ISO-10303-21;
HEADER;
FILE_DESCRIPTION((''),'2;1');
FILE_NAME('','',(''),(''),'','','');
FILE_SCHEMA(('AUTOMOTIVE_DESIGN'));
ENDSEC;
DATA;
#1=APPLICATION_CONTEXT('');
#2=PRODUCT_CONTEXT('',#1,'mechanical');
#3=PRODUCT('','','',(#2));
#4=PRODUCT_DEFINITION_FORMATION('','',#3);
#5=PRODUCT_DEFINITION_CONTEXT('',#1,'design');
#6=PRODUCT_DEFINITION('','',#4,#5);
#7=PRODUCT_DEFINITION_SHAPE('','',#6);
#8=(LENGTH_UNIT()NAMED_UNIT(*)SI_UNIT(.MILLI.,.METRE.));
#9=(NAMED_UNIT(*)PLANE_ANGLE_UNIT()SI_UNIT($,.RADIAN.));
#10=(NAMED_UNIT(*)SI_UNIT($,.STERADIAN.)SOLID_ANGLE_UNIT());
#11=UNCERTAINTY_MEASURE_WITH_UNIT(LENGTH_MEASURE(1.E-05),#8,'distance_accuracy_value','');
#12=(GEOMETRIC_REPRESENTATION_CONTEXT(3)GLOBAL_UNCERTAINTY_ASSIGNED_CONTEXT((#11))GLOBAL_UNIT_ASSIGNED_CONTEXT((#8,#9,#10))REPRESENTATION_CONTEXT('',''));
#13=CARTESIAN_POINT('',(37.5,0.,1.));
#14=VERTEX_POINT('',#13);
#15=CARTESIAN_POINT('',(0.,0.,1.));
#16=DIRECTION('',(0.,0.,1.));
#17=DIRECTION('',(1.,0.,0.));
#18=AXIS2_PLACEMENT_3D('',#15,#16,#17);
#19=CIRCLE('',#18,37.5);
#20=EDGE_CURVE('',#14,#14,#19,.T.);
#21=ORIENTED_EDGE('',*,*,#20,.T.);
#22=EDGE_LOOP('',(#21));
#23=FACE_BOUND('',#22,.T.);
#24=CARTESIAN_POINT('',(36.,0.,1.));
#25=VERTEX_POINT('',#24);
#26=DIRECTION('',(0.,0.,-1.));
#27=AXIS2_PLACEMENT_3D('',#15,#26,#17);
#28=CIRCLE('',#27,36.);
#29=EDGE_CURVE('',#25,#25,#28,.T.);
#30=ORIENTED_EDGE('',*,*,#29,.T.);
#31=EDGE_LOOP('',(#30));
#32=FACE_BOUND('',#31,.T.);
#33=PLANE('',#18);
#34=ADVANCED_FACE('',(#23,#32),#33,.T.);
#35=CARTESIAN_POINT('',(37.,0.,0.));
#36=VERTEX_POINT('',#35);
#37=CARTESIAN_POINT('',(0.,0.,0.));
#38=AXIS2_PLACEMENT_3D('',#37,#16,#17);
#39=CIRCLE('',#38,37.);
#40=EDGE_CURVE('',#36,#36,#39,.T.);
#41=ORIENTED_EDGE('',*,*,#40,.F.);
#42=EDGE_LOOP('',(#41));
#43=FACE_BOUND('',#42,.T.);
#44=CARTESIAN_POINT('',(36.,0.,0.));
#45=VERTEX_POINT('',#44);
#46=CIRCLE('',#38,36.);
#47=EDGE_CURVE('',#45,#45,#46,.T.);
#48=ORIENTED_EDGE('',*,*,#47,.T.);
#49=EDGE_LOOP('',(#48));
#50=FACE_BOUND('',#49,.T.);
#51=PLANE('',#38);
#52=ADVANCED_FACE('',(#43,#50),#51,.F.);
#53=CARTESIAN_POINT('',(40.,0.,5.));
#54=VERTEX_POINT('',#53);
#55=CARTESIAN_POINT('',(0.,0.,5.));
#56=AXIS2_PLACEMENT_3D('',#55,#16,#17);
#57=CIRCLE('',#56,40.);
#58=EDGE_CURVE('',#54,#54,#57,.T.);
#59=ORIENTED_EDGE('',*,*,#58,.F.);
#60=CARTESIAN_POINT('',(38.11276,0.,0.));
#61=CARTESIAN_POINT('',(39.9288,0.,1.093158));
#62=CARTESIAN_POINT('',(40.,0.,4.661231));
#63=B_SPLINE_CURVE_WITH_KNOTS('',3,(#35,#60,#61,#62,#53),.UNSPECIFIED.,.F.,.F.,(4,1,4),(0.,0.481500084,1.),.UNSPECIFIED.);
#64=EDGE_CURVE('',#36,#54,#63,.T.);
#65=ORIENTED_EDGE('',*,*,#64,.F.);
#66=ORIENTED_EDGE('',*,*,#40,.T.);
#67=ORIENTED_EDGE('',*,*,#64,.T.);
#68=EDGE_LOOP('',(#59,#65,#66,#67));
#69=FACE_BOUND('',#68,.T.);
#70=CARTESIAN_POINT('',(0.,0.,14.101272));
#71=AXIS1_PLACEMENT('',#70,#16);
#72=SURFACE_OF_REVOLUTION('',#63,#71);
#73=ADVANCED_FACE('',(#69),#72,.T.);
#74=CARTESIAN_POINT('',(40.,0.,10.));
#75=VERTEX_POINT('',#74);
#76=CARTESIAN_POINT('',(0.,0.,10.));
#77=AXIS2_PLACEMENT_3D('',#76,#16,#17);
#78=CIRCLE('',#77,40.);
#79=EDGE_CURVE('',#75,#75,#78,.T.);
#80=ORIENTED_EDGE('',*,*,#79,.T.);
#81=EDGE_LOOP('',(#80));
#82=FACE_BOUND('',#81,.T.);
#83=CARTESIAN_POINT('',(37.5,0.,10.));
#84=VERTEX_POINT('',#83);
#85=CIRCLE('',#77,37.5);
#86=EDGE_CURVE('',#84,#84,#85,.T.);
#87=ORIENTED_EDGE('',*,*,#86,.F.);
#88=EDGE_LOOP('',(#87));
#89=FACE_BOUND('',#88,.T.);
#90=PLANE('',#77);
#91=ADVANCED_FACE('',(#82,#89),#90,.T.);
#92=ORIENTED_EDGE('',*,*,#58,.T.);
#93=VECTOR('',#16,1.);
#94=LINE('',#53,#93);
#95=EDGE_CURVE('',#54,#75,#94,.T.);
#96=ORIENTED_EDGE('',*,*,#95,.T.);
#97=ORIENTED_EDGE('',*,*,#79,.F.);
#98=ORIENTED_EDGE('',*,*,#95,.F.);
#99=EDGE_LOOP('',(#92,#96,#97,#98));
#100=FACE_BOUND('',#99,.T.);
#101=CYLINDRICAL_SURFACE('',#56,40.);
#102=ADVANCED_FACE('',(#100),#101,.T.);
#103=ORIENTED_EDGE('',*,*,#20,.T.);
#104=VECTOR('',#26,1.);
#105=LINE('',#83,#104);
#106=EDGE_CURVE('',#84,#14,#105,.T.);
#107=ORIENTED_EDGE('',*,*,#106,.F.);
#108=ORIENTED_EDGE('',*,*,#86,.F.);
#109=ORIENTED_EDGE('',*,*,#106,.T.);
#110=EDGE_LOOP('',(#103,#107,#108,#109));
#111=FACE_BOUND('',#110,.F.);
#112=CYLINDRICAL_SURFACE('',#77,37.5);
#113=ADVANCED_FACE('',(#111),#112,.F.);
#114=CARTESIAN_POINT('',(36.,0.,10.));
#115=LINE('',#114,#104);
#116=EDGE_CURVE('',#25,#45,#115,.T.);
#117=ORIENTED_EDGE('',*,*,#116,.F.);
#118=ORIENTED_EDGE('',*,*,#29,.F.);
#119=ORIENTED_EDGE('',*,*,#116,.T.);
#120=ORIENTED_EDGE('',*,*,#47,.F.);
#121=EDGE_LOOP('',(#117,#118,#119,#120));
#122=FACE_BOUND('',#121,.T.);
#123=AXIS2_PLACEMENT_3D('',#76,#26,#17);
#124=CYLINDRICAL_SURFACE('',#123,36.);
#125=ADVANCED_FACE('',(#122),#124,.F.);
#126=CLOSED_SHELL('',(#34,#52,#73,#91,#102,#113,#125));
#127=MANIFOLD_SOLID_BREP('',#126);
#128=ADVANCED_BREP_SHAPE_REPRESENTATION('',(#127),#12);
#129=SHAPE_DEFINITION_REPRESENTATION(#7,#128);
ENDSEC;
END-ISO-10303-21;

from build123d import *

# Parameters (mm, degrees)
F2_R     = 37.5
F3_DEPTH = 9


with BuildPart() as f1:
    # F0 (on Front) → F1 (revolve)
    with BuildSketch(Plane.XZ):
        with BuildLine():
            Line((36, 10), (36, 0))
            Line((36, 0), (37, 0))
            add(Edge.make_bspline(
                [(37, 0), (38.1127602334, 0), (39.9287998169, 1.0931583336), (40, 4.6612314733), (40, 5)],
                knots=[0, 0, 0, 0, 0.4815000837, 1, 1, 1, 1], degree=3))
            Line((40, 5), (40, 10))
            Line((40, 10), (36, 10))
        make_face()
    revolve(axis=Axis((0, 0, 14.1012716265), (0, 0, 1)))

    # F2 (on face) → F3 (cut)
    with BuildSketch(Plane.XY.offset(10)):
        Circle(F2_R)
    extrude(amount=-F3_DEPTH, mode=Mode.SUBTRACT)


solid = f1.part
